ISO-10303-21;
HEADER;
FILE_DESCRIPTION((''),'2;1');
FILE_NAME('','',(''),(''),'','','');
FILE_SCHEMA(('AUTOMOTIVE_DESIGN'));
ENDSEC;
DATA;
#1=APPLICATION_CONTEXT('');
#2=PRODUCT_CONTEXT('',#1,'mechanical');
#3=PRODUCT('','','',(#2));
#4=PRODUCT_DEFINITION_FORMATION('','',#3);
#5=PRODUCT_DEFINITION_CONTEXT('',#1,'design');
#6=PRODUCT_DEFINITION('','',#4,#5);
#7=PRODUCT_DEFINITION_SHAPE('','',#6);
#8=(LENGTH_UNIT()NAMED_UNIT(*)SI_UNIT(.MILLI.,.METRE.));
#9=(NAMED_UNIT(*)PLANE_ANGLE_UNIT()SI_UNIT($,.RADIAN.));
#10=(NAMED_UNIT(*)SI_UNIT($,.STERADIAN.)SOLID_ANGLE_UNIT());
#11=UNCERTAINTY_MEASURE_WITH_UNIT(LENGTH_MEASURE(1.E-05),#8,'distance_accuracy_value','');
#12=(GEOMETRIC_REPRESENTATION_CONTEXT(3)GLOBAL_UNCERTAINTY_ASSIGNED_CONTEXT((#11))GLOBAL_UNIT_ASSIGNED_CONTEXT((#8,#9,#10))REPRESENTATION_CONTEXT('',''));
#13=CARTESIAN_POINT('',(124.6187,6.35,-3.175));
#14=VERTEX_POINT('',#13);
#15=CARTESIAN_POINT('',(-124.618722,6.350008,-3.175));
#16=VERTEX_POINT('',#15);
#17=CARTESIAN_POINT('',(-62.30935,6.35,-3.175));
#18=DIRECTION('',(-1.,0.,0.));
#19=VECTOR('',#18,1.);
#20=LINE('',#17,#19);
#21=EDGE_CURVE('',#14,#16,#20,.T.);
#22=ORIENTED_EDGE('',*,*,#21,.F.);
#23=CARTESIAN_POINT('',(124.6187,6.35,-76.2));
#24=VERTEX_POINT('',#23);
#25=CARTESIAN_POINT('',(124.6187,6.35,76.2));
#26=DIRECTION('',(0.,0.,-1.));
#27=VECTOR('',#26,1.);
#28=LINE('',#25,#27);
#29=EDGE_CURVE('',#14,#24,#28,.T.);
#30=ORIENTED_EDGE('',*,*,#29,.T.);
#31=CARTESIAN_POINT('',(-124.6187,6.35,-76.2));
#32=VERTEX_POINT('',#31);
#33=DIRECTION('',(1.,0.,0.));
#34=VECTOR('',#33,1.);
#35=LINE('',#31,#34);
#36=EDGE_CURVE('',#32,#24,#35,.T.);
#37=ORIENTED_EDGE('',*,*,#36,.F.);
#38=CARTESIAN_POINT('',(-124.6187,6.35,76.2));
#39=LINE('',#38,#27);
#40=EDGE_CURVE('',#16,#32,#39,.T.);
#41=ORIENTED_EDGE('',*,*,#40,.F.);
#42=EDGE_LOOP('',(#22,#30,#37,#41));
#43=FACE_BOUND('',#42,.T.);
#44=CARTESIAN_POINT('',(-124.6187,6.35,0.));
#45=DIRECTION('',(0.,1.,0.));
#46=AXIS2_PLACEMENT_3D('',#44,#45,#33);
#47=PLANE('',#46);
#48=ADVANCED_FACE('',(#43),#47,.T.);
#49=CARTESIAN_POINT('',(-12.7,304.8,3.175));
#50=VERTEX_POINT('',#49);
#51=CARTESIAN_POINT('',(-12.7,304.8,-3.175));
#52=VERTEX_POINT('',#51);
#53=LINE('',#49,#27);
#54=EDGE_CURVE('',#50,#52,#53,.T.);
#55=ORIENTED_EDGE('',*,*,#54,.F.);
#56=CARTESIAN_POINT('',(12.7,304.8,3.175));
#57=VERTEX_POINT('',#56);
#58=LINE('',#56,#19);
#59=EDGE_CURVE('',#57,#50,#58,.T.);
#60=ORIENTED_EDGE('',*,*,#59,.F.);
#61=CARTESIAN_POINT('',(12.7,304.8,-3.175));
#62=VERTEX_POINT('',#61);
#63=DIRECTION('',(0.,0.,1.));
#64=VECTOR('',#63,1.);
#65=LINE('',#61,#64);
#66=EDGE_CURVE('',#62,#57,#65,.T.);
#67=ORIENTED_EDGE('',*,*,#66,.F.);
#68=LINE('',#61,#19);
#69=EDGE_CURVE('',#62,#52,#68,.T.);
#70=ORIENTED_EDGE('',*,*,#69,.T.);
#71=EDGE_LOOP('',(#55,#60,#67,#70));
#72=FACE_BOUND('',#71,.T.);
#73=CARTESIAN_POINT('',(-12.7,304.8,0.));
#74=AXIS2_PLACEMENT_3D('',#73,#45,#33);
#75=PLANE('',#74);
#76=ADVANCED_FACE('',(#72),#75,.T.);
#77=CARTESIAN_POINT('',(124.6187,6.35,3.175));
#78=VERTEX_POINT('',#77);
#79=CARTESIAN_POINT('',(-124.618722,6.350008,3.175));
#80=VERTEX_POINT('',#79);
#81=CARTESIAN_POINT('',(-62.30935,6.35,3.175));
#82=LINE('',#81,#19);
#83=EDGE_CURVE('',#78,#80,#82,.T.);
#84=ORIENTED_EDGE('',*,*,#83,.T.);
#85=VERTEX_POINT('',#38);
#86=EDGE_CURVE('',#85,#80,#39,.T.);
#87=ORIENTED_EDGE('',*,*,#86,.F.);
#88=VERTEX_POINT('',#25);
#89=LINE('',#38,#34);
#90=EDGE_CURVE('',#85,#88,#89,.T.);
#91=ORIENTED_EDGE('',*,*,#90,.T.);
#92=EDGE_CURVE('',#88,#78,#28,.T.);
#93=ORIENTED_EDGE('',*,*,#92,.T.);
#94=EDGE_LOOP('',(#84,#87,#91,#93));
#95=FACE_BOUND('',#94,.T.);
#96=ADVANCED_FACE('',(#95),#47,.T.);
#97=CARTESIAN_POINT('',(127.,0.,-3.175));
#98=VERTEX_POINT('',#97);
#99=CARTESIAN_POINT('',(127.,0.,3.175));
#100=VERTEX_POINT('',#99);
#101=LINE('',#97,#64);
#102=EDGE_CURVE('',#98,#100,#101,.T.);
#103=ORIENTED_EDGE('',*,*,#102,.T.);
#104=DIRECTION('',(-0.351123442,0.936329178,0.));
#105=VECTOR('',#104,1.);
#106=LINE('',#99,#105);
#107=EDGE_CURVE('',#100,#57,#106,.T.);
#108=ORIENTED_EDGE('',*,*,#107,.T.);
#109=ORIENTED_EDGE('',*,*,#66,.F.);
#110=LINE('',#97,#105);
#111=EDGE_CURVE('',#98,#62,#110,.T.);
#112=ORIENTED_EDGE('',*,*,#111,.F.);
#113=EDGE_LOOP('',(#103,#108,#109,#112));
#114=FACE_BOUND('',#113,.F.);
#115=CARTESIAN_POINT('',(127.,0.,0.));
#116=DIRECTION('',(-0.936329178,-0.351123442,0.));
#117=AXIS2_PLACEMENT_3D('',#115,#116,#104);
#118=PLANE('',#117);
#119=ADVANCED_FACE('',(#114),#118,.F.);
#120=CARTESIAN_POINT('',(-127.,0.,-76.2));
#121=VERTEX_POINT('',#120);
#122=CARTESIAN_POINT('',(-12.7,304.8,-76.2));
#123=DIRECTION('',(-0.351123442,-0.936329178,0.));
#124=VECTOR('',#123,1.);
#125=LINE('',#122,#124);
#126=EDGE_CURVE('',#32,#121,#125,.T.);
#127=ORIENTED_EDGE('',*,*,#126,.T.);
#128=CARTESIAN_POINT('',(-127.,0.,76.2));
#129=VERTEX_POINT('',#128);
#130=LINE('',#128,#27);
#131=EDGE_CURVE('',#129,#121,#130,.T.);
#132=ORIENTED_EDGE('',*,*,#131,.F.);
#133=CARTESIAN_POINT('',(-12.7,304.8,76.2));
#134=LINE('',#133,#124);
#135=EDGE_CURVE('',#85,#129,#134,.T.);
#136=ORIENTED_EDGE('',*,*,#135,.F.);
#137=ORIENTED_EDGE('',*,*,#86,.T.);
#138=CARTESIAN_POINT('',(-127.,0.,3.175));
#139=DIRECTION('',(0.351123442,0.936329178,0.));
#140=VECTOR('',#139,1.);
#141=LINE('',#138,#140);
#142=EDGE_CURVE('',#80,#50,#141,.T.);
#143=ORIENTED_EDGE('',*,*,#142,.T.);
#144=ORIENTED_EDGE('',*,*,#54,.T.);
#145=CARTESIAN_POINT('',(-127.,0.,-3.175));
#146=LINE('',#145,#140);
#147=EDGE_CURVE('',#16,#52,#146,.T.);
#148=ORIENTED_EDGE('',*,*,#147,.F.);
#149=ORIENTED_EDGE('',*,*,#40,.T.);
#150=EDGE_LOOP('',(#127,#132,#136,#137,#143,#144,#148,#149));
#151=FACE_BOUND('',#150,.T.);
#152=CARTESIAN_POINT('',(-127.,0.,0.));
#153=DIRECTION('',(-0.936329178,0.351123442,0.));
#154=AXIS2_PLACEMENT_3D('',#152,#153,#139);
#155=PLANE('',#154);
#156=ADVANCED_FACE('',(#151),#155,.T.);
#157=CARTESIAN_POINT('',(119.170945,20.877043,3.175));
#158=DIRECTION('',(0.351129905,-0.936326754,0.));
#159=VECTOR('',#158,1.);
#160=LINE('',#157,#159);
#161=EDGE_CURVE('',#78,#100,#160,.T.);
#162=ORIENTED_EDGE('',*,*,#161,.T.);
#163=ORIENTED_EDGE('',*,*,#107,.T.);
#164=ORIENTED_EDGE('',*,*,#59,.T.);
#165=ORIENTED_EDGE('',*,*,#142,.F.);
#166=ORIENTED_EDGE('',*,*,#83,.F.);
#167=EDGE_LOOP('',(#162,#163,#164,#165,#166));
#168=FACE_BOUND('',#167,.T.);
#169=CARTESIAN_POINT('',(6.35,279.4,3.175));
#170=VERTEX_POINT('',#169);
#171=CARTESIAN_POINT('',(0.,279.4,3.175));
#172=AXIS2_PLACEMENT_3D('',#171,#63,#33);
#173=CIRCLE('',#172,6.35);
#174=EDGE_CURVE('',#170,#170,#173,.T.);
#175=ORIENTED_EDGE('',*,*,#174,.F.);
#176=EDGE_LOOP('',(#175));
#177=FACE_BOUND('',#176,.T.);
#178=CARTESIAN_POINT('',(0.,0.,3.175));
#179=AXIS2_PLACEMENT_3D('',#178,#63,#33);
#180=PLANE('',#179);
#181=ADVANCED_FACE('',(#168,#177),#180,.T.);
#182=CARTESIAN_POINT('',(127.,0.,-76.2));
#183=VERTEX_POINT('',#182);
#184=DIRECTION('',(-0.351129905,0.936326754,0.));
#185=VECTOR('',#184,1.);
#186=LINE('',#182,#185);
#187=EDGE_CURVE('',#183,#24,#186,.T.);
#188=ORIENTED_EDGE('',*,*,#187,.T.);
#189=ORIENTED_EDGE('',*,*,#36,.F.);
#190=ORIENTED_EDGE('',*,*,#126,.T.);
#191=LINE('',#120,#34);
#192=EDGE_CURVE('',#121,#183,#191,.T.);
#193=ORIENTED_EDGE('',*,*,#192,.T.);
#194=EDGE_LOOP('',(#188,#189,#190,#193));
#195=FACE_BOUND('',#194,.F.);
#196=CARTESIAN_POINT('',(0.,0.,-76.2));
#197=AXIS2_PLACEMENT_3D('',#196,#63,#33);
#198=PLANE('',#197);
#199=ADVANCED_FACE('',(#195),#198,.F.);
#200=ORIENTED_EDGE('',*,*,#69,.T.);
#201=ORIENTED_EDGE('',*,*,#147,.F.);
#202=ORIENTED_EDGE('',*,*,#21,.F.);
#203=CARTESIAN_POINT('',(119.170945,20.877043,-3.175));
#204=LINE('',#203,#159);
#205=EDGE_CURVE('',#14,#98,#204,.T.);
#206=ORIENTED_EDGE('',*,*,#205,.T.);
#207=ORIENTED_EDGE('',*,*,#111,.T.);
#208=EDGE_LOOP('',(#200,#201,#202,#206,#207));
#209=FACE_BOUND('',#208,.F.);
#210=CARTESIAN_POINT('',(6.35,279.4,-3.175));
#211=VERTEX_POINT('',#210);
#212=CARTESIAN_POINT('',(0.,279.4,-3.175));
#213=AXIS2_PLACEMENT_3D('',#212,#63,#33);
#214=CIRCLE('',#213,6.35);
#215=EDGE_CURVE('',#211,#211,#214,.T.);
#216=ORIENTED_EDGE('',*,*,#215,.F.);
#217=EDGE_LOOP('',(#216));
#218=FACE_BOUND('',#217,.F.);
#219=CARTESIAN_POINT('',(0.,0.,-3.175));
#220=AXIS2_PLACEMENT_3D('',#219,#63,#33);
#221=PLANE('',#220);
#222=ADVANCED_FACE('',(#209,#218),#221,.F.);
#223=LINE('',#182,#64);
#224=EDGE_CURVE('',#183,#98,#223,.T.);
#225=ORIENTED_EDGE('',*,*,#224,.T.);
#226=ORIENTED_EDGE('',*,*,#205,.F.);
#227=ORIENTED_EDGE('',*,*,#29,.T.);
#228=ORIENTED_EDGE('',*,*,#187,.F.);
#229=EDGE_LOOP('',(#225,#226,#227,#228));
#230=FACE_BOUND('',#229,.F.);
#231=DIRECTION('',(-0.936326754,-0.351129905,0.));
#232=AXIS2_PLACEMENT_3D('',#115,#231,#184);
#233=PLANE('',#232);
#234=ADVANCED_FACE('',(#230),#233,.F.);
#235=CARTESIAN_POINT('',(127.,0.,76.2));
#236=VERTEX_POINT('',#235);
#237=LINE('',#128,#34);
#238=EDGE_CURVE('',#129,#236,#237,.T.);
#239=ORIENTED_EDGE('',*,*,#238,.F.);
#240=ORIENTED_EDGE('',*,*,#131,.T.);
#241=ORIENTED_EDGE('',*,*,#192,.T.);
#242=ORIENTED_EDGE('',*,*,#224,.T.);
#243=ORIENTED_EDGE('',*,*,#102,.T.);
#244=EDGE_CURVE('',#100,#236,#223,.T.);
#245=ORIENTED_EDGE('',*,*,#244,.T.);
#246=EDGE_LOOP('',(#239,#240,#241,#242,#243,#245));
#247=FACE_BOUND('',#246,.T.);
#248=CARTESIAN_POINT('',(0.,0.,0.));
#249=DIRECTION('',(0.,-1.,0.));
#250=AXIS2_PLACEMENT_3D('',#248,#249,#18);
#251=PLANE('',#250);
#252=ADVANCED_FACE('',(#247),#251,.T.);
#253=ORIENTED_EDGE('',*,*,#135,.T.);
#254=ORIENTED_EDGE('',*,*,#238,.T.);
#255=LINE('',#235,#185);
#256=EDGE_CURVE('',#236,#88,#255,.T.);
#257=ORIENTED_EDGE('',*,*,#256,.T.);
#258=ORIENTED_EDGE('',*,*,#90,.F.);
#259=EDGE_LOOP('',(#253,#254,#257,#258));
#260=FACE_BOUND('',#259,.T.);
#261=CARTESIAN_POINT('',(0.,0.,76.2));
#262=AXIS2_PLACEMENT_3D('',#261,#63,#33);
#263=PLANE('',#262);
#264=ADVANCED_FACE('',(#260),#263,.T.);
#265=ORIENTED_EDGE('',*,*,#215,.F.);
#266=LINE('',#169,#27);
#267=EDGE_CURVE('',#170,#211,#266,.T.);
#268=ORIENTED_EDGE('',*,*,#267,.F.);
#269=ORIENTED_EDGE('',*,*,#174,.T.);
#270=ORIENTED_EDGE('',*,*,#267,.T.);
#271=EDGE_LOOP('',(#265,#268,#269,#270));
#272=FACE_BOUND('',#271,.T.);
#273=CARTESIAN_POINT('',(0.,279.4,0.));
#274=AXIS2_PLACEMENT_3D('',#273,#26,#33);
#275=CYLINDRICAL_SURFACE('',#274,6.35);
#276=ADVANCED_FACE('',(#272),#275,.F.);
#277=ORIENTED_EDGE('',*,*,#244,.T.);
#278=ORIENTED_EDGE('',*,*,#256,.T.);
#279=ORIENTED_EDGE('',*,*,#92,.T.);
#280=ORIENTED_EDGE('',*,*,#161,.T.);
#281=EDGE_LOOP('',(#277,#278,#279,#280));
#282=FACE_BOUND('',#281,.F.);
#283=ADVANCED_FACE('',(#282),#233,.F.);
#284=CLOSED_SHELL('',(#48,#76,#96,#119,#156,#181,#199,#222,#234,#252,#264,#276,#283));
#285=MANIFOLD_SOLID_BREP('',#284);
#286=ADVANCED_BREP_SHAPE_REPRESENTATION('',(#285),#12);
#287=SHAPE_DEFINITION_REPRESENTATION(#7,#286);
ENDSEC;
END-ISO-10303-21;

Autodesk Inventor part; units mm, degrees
ref_plane "YZ Plane" through (0, 0, 0) normal (1, 0, 0) x (0, 1, 0)
ref_plane "XZ Plane" through (0, 0, 0) normal (0, 1, 0) x (-1, 0, 0)
ref_plane "XY Plane" through (0, 0, 0) normal (0, 0, 1) x (1, 0, 0)
sketch "Sketch1" plane through (0, 0, 0) normal (0, 0, 1) x (1, 0, 0)
  line L0 (0, 0) -> (127, 0)
  line L1 (127, 0) -> (12.7, 304.8)
  line L2 (12.7, 304.8) -> (0, 304.8)
  line L3 (0, 304.8) -> (0, 0) construction
  line L4 (0, 0) -> (-127, 0)
  line L5 (-127, 0) -> (-12.7, 304.8)
  line L6 (-12.7, 304.8) -> (0, 304.8)
  circle A0 centre (0, 279.4) radius 6.35
  dimension "d0" = 304.8
  dimension "d1" = 254
  dimension "d2" = 25.4
  dimension "d3" = 12.7
  dimension "d4" = 279.4
extrude "Extrusion1" add sketch "Sketch1" along normal mid plane 6.35
sketch "Sketch2" plane through (0, 0, 0) normal (0, 0, 1) x (1, 0, 0)
  line L0 (-127, 0) -> (127, 0) projected
  line L1 (-127, 0) -> (127, 0)
  line L2 (127, 0) -> (124.6187, 6.35)
  line L3 (127, 0) -> (12.7, 304.8) projected
  line L4 (-12.7, 304.8) -> (-127, 0) projected
  line L5 (-124.6187, 6.35) -> (-127, 0)
  line L6 (-124.6187, 6.35) -> (124.6187, 6.35)
  point P0 (0, 0)
  dimension "d7" = 6.35
extrude "Extrusion2" add sketch "Sketch2" along normal mid plane 152.4
equation "\"d0\" = catapultSideHeight"
equation "\"d1\" = catapultSideWidth"
equation "\"d2\" = catapultTopWidth"
equation "\"d3\" = catpultSideHoleDiam"
equation "\"d4\" = catapultSideHoleHeight"
equation "\"d5\" = catapultSideDepth"
equation "\"d7\" = catapultSideDepth"
equation "\"d8\" = catapultSupportWidth"
equation "\"catapultSideHeight\" = 304.8"
equation "\"catapultSideWidth\" = 254"
equation "\"catapultSideDepth\" = 6.35"
equation "\"catpultSideHoleDiam\" = 12.7"
equation "\"catapultTopWidth\" = 25.4"
equation "\"catapultSupportWidth\" = 152.4"
equation "\"catapultSideHoleHeight\" = 279.4"
properties part number "CatapultSupport"
